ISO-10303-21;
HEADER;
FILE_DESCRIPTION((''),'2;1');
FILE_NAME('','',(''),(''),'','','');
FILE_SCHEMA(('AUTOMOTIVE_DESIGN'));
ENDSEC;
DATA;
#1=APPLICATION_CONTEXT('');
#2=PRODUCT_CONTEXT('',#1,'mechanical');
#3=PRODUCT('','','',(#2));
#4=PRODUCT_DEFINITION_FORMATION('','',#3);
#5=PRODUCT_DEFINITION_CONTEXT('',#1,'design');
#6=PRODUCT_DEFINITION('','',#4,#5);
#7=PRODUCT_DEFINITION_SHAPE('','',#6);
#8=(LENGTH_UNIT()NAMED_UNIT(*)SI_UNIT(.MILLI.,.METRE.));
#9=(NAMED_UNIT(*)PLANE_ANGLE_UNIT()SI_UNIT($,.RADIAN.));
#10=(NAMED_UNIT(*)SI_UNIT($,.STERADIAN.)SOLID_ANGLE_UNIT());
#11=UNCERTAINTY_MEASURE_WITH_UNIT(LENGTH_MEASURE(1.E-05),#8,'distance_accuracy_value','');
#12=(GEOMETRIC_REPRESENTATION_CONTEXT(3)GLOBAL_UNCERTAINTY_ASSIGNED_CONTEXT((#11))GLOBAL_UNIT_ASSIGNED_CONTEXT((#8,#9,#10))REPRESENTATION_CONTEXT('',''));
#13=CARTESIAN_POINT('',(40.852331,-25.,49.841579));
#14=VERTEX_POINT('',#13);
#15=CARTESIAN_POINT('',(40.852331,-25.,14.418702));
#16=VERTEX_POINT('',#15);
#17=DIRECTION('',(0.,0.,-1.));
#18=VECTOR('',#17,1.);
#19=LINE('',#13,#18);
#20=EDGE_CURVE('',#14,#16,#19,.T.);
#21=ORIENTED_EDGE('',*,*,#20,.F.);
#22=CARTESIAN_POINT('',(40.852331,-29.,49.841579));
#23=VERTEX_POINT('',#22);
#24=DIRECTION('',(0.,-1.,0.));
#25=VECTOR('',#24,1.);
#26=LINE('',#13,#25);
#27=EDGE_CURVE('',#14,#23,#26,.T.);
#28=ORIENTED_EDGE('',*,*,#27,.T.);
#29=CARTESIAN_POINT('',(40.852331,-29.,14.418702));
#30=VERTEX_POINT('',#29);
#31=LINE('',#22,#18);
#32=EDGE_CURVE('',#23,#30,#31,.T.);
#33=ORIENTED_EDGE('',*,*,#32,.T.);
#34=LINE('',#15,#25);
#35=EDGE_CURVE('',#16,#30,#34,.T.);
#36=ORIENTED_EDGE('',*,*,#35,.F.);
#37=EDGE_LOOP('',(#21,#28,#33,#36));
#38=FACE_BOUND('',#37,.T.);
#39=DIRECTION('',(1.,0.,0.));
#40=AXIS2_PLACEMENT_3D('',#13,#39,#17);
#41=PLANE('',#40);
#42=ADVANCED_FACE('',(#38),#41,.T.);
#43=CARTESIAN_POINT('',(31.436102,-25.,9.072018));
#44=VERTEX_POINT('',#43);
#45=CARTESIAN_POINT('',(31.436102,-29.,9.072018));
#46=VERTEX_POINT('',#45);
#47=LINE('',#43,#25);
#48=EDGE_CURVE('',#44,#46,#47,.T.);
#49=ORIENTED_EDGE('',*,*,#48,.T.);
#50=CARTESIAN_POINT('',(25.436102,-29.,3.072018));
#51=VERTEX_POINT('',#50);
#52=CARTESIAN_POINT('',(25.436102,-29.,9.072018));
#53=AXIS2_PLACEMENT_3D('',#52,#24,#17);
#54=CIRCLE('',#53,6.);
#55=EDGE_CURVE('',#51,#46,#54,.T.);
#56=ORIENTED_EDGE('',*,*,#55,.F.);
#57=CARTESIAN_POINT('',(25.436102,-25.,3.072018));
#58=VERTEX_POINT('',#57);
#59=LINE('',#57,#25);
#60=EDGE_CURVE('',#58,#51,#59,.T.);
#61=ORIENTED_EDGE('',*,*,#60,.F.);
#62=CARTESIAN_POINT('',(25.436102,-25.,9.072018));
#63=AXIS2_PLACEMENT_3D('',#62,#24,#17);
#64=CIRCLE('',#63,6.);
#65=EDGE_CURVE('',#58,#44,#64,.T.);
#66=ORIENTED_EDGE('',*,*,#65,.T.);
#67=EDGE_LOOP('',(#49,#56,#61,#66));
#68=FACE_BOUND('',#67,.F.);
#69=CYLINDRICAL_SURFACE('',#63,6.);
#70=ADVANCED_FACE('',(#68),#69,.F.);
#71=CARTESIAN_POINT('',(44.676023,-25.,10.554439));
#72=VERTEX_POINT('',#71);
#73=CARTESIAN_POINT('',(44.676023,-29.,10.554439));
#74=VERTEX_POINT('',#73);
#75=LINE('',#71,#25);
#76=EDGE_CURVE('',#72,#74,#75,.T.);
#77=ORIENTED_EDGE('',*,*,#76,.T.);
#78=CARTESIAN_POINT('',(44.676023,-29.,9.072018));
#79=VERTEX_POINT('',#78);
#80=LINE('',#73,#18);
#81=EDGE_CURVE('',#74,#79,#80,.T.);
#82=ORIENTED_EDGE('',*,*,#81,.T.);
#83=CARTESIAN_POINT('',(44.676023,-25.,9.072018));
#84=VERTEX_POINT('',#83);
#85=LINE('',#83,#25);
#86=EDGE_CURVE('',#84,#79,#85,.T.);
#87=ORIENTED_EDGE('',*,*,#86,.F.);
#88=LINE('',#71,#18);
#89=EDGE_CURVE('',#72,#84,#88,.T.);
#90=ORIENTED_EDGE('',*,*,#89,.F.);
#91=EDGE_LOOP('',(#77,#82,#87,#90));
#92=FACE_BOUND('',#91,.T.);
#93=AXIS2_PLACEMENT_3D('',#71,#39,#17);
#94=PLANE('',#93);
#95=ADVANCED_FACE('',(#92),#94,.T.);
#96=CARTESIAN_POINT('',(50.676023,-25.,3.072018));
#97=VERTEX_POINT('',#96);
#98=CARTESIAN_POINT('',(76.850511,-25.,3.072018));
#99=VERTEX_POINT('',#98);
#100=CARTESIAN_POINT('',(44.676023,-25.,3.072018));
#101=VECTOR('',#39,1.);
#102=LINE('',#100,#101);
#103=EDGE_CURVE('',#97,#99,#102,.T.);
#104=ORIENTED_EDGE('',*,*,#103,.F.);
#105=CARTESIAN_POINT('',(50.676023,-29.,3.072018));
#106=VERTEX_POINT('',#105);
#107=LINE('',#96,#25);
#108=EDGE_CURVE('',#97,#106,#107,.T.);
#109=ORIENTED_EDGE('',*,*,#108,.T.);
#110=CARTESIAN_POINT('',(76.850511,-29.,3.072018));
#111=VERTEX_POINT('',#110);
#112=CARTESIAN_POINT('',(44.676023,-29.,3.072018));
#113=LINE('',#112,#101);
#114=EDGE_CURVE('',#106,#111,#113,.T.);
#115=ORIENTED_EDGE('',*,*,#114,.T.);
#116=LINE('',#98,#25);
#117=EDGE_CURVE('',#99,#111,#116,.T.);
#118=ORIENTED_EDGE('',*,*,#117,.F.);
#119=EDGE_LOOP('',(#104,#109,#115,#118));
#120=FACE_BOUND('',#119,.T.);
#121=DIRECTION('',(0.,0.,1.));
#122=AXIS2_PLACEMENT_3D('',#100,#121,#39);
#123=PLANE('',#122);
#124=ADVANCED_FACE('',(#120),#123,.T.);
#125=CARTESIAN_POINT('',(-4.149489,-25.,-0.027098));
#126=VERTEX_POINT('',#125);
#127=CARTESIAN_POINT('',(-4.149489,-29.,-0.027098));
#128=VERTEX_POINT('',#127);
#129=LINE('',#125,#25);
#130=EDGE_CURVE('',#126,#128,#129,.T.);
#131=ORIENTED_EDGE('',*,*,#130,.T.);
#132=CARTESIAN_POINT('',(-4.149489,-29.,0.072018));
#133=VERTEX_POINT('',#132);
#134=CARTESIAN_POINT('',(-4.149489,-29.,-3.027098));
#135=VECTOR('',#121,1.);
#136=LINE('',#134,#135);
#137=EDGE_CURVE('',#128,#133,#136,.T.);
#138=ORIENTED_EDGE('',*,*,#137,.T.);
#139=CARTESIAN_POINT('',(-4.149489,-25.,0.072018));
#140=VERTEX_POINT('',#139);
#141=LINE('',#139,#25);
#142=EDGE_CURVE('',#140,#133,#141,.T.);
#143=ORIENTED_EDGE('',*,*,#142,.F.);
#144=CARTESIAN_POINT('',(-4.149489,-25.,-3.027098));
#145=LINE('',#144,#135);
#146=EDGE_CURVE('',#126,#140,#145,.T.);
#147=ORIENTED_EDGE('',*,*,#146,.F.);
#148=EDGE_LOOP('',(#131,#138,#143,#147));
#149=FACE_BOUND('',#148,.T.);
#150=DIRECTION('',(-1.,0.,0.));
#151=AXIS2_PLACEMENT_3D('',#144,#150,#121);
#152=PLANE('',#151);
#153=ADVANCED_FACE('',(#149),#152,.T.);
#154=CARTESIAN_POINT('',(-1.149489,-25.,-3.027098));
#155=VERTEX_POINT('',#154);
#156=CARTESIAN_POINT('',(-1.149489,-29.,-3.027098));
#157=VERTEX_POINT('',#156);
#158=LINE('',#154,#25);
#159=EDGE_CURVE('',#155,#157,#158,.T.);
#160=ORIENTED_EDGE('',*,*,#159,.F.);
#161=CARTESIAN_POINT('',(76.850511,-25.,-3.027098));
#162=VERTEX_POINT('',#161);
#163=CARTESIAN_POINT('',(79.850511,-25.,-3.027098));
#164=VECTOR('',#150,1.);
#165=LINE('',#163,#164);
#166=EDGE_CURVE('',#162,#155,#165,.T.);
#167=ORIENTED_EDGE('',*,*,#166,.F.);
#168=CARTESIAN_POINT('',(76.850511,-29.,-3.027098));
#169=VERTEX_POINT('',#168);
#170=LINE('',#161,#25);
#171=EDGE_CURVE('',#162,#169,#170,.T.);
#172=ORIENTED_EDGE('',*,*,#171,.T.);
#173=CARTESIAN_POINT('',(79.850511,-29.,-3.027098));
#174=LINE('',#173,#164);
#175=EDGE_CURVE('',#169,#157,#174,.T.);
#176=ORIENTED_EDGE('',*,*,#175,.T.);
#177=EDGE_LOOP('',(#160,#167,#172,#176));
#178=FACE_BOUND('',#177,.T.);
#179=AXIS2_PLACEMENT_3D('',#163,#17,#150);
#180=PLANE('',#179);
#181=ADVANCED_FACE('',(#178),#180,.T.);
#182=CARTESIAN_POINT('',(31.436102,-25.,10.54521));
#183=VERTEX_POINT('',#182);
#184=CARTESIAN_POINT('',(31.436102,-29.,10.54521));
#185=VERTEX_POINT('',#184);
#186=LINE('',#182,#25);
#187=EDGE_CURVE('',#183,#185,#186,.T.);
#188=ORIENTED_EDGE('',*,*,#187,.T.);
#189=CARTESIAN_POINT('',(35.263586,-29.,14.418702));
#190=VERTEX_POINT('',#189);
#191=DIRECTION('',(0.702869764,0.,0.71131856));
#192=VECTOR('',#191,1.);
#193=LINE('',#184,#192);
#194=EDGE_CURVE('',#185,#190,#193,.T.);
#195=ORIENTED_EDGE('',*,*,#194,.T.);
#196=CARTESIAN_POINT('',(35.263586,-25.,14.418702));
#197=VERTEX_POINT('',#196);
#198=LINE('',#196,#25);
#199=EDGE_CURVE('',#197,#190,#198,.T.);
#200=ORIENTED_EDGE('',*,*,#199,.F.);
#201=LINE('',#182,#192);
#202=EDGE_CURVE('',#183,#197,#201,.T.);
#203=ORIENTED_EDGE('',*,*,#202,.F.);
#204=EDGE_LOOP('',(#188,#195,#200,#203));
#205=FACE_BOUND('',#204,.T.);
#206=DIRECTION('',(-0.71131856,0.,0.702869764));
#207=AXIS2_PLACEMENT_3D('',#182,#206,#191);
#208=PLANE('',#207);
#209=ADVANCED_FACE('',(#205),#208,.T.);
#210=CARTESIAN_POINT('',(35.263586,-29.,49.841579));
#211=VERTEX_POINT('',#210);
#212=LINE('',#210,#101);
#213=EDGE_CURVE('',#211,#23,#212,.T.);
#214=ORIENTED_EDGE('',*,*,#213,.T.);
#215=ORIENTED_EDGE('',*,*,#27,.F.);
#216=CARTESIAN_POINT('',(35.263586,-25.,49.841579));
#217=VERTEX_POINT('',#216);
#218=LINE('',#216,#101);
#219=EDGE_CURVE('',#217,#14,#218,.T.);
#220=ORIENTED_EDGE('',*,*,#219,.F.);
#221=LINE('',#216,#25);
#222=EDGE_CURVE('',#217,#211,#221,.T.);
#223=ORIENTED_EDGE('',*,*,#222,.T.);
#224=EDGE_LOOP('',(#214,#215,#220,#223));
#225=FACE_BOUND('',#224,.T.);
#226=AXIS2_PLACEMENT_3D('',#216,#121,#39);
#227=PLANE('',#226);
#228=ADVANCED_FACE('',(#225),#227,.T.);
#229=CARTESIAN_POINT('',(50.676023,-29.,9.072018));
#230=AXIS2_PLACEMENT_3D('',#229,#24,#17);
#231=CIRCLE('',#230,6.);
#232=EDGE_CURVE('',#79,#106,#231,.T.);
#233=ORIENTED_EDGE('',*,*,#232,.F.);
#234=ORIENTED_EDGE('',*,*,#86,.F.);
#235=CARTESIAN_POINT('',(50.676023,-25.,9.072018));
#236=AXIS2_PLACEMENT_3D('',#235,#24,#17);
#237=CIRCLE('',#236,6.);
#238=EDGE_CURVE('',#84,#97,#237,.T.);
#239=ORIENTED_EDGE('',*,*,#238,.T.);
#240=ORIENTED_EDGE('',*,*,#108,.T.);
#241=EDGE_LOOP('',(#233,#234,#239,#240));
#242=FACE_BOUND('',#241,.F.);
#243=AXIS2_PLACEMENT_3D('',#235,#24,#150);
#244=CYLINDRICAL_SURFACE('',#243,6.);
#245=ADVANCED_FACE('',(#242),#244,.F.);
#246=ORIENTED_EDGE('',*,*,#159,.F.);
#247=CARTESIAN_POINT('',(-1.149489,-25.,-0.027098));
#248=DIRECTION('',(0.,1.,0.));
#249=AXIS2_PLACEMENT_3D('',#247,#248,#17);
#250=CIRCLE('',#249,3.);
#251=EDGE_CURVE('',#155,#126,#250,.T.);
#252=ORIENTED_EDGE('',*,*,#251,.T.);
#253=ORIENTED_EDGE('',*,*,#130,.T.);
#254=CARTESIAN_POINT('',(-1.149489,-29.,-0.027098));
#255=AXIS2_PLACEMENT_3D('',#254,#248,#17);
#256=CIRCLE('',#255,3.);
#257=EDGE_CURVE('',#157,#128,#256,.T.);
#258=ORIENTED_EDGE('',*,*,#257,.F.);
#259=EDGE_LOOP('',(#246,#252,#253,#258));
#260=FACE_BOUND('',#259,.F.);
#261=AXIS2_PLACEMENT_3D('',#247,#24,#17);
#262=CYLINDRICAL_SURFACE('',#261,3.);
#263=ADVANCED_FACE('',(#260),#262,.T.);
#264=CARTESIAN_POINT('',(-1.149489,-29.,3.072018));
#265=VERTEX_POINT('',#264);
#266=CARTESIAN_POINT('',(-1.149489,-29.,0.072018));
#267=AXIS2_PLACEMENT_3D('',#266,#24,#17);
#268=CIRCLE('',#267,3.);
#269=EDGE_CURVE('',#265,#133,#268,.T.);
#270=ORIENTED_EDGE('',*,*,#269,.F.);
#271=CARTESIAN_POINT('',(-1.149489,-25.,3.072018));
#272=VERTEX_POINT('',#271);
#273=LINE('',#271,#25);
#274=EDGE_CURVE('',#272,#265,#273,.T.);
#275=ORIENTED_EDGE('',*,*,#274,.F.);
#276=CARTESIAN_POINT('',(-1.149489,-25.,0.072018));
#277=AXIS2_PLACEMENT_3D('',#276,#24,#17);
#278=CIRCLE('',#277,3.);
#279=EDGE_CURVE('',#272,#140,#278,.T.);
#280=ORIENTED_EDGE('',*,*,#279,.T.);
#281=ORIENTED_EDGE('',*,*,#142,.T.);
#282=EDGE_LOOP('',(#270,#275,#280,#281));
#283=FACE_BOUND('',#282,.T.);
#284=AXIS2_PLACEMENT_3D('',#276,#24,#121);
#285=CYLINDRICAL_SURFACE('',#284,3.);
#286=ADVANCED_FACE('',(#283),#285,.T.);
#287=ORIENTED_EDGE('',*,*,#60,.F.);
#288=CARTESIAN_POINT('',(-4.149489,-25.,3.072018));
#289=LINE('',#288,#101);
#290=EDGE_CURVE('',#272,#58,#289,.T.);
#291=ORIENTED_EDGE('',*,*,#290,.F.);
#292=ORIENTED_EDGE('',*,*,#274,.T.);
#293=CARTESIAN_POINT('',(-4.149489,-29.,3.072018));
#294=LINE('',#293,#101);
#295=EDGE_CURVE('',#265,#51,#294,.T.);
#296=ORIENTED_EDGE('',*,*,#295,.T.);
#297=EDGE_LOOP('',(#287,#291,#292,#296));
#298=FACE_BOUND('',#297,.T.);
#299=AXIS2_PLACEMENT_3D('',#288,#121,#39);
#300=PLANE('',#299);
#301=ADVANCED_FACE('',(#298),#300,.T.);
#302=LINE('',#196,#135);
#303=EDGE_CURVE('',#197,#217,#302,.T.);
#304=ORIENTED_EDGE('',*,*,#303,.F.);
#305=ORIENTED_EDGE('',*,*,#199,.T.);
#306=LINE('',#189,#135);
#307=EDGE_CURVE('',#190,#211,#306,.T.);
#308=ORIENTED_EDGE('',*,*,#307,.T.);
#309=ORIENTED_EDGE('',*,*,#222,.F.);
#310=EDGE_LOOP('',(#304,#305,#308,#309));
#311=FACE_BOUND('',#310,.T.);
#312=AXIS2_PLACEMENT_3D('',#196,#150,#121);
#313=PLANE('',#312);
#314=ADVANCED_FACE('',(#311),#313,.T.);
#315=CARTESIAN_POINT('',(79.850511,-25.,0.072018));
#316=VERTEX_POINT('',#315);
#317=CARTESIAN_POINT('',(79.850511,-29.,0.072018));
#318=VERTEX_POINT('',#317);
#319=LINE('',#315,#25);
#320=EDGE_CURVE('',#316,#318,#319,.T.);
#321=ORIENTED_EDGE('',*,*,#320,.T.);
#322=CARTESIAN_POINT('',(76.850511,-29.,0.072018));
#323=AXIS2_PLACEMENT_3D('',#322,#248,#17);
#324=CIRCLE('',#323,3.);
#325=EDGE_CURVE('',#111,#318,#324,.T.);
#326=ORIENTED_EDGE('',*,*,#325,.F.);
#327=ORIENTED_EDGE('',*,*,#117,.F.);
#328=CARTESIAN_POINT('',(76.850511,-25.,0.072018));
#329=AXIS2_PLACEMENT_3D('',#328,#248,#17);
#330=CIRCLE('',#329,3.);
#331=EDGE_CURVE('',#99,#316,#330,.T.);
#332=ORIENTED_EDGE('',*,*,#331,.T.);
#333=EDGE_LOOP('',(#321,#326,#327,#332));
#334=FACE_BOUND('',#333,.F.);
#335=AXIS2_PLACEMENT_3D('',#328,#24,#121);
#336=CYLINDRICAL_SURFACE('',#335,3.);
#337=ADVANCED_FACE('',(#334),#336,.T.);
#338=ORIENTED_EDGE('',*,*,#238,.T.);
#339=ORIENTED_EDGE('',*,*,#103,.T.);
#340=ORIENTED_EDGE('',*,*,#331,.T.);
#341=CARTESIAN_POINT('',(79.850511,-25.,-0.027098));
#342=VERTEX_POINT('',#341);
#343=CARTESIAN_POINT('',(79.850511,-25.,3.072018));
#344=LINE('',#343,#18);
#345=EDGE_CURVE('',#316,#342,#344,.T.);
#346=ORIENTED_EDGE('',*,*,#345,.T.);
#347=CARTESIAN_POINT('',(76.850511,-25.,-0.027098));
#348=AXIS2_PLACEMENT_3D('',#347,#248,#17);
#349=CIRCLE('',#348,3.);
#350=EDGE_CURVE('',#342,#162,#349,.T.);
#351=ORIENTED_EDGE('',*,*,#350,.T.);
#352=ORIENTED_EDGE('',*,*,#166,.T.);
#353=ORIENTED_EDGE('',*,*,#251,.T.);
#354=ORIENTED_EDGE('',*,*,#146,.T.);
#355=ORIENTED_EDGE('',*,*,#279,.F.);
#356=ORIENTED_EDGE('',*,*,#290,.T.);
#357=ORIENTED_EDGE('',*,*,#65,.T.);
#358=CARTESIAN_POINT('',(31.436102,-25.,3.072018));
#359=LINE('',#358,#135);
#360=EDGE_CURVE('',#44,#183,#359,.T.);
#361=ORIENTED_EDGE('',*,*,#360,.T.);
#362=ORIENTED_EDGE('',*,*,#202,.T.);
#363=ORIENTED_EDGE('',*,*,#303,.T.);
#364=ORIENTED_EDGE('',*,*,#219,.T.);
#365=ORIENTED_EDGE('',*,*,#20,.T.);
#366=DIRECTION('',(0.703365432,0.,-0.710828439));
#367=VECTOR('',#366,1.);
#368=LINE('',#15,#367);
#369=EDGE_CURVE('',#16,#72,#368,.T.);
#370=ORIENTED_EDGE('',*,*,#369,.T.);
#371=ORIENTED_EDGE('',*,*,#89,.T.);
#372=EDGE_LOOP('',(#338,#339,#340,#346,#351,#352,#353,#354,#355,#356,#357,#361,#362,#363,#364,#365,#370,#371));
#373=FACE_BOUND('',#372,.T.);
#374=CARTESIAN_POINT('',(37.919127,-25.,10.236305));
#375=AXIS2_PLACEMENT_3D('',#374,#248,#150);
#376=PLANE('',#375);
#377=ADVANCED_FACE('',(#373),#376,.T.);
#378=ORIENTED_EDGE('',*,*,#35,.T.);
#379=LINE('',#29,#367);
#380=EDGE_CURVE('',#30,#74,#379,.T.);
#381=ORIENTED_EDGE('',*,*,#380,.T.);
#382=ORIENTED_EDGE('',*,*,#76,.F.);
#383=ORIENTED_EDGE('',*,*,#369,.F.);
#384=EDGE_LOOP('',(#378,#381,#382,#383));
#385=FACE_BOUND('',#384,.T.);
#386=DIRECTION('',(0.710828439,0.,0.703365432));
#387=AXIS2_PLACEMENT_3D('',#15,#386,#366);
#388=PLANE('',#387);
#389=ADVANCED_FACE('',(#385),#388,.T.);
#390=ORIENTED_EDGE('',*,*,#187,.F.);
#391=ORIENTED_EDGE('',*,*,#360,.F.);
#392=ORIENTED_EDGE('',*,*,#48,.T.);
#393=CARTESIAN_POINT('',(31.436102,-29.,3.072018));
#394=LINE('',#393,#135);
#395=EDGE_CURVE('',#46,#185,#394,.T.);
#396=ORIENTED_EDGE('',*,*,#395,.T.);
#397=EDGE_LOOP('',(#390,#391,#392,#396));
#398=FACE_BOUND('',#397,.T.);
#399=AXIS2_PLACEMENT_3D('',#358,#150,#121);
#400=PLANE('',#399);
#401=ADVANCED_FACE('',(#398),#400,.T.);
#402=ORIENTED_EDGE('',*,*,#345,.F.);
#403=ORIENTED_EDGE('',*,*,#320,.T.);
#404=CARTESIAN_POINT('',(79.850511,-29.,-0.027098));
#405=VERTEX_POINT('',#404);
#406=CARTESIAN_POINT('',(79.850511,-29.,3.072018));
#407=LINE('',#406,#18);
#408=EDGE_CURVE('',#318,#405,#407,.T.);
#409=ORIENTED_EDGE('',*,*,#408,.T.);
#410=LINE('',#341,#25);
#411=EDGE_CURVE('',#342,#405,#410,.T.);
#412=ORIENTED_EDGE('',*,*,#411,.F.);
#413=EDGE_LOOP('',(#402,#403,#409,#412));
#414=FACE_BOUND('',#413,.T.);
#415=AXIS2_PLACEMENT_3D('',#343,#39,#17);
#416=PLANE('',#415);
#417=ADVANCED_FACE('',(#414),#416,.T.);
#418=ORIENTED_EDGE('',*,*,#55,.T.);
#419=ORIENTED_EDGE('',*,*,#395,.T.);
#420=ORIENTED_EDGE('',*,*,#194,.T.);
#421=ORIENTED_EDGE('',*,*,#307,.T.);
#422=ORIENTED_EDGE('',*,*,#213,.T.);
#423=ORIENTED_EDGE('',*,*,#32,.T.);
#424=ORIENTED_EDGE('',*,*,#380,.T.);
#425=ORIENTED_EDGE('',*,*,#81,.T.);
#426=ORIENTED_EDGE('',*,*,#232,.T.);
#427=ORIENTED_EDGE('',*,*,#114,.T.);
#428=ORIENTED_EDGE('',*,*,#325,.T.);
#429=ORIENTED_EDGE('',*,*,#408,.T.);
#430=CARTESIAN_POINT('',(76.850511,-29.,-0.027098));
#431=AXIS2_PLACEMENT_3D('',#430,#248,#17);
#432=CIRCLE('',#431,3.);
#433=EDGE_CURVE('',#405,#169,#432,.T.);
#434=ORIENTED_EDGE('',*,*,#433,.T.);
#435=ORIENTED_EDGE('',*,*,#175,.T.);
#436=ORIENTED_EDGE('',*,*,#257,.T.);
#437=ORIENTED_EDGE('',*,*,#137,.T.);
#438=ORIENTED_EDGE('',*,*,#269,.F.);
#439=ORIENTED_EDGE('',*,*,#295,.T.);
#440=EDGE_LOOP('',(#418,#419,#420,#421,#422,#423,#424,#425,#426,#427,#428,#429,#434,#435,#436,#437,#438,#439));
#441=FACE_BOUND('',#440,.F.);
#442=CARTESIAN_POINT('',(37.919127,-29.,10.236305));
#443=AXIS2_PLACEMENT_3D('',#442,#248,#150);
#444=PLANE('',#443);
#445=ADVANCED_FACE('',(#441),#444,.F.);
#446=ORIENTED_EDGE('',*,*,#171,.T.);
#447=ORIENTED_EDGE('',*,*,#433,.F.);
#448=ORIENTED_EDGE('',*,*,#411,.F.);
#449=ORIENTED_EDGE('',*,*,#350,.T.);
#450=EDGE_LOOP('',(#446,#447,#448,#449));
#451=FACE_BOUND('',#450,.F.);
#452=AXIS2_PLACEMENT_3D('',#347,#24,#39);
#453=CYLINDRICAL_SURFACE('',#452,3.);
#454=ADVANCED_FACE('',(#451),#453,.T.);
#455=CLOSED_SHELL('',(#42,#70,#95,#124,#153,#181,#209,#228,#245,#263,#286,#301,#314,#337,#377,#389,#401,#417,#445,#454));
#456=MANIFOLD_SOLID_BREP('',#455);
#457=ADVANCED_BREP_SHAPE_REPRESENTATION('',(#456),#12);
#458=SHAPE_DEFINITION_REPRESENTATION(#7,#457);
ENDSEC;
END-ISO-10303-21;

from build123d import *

# Parameters (mm, degrees)
PAD002_DEPTH = 4
FILLET005_R  = 3
FILLET006_R  = 6


with BuildPart() as part:
    # Sketch003 → Pad002 (new body)
    with BuildSketch(Plane.XZ.offset(25)):
        Polygon((-4.149489, 3.072018), (31.436102, 3.072018), (31.436102, 10.54521), (35.263586, 14.418702), (35.263586, 49.841579), (40.852331, 49.841579), (40.852331, 14.418702), (44.676023, 10.554439), (44.676023, 3.072018), (79.850511, 3.072018), (79.850511, -3.027098), (-4.149489, -3.027098), align=None)
    extrude(amount=PAD002_DEPTH)

    # Fillet005
    fillet005_edges = [part.edges().sort_by_distance(p)[0] for p in [
        (79.850511, -27, 3.072018),
        (79.850511, -27, -3.027098),
        (-4.149489, -27, -3.027098),
        (-4.149489, -27, 3.072018),
    ]]
    fillet(fillet005_edges, radius=FILLET005_R)

    # Fillet006
    fillet006_edges = [part.edges().sort_by_distance(p)[0] for p in [
        (44.676023, -27, 3.072018),
        (31.436102, -27, 3.072018),
    ]]
    fillet(fillet006_edges, radius=FILLET006_R)


solid = part.part
